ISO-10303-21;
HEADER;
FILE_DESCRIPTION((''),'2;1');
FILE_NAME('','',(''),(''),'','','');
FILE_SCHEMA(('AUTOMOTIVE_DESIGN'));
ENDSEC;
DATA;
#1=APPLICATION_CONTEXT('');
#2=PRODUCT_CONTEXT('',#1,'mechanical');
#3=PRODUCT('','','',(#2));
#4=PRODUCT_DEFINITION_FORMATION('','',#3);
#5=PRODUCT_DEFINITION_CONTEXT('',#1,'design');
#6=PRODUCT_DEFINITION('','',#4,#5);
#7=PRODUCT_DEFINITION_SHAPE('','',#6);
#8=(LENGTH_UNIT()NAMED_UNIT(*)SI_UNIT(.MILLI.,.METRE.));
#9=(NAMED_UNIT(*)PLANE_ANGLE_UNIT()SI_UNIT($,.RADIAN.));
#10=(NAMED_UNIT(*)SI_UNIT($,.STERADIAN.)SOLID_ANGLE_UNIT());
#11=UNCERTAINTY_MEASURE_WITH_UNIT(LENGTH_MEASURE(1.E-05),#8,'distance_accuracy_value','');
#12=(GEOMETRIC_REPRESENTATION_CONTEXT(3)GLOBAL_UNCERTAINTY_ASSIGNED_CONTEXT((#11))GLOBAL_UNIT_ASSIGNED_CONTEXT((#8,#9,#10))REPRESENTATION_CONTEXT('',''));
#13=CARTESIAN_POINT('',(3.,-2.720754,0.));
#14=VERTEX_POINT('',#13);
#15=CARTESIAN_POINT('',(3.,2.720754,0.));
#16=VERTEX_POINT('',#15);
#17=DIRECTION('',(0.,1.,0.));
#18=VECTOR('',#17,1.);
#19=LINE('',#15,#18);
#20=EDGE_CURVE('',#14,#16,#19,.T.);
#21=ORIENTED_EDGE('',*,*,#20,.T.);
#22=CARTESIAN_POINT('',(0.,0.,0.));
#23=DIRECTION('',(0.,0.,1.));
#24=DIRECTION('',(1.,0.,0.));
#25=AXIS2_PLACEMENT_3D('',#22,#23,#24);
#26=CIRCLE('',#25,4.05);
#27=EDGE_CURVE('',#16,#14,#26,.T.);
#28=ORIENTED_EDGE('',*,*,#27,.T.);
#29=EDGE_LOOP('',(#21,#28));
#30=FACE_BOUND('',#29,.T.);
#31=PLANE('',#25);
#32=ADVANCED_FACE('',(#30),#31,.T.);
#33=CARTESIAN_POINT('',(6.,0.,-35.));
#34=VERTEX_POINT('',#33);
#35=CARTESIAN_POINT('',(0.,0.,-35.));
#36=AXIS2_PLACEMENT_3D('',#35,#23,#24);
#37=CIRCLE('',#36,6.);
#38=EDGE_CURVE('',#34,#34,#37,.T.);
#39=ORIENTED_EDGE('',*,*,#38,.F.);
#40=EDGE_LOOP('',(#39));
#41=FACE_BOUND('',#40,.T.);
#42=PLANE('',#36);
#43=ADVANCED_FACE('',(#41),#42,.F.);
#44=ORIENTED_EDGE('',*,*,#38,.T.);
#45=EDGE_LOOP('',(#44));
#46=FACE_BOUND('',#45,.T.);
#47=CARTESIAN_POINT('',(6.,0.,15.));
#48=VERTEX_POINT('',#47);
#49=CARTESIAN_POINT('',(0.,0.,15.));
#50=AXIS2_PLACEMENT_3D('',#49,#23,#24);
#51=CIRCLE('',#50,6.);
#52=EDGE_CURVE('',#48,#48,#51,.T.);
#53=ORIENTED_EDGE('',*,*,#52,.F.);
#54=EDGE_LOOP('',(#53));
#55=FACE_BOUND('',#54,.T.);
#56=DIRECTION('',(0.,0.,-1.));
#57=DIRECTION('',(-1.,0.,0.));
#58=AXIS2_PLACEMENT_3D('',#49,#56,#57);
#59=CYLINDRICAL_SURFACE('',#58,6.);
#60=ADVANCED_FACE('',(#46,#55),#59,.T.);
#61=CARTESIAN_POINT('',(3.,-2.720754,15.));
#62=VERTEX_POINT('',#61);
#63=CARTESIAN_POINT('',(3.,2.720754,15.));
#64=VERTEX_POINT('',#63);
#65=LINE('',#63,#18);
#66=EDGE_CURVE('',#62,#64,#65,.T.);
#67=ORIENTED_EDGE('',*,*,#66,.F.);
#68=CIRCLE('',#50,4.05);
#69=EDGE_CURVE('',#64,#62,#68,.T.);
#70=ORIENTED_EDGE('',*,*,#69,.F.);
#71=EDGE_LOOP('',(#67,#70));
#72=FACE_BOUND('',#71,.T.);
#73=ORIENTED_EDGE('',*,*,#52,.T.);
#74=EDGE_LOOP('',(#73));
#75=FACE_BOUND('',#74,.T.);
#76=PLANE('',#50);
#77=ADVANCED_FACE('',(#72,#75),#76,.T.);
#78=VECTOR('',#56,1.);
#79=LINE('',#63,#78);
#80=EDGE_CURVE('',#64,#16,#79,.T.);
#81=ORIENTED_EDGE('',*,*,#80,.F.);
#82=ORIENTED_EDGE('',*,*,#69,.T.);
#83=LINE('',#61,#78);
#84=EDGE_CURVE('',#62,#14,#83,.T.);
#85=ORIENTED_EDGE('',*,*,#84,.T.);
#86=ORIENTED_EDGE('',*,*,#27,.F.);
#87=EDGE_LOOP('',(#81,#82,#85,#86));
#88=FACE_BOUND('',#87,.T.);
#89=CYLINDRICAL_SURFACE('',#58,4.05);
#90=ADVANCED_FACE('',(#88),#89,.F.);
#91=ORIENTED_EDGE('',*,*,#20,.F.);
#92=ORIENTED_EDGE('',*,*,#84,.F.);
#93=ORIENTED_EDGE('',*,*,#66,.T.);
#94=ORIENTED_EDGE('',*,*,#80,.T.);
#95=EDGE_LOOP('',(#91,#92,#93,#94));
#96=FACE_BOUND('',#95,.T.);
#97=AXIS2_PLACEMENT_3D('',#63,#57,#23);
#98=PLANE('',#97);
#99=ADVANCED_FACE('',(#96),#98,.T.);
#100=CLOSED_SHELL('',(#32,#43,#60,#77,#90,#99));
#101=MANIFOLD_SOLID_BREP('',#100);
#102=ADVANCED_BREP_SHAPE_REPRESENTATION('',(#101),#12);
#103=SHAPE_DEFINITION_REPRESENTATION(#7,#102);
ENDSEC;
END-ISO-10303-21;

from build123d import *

# Parameters (mm, degrees)
SKETCH1_R           = 6
BOSS_EXTRUDE1_DEPTH = 15
BOSS_EXTRUDE2_START = -35
SKETCH2_R           = 6
BOSS_EXTRUDE2_DEPTH = 35


with BuildPart() as part:
    # Sketch1 → Boss-Extrude1 (new body)
    with BuildSketch(Plane.XY):
        Circle(SKETCH1_R)
        with BuildLine():
            Line((3, 2.720753572), (3, -2.720753572))
            ThreePointArc((3, -2.720753572), (-4.05, 0), (3, 2.720753572))
        make_face(mode=Mode.SUBTRACT)
    extrude(amount=BOSS_EXTRUDE1_DEPTH)

    # Sketch2 → Boss-Extrude2 (add)
    with BuildSketch(Plane.XY.offset(BOSS_EXTRUDE2_START)):
        Circle(SKETCH2_R)
    extrude(amount=BOSS_EXTRUDE2_DEPTH)


solid = part.part
